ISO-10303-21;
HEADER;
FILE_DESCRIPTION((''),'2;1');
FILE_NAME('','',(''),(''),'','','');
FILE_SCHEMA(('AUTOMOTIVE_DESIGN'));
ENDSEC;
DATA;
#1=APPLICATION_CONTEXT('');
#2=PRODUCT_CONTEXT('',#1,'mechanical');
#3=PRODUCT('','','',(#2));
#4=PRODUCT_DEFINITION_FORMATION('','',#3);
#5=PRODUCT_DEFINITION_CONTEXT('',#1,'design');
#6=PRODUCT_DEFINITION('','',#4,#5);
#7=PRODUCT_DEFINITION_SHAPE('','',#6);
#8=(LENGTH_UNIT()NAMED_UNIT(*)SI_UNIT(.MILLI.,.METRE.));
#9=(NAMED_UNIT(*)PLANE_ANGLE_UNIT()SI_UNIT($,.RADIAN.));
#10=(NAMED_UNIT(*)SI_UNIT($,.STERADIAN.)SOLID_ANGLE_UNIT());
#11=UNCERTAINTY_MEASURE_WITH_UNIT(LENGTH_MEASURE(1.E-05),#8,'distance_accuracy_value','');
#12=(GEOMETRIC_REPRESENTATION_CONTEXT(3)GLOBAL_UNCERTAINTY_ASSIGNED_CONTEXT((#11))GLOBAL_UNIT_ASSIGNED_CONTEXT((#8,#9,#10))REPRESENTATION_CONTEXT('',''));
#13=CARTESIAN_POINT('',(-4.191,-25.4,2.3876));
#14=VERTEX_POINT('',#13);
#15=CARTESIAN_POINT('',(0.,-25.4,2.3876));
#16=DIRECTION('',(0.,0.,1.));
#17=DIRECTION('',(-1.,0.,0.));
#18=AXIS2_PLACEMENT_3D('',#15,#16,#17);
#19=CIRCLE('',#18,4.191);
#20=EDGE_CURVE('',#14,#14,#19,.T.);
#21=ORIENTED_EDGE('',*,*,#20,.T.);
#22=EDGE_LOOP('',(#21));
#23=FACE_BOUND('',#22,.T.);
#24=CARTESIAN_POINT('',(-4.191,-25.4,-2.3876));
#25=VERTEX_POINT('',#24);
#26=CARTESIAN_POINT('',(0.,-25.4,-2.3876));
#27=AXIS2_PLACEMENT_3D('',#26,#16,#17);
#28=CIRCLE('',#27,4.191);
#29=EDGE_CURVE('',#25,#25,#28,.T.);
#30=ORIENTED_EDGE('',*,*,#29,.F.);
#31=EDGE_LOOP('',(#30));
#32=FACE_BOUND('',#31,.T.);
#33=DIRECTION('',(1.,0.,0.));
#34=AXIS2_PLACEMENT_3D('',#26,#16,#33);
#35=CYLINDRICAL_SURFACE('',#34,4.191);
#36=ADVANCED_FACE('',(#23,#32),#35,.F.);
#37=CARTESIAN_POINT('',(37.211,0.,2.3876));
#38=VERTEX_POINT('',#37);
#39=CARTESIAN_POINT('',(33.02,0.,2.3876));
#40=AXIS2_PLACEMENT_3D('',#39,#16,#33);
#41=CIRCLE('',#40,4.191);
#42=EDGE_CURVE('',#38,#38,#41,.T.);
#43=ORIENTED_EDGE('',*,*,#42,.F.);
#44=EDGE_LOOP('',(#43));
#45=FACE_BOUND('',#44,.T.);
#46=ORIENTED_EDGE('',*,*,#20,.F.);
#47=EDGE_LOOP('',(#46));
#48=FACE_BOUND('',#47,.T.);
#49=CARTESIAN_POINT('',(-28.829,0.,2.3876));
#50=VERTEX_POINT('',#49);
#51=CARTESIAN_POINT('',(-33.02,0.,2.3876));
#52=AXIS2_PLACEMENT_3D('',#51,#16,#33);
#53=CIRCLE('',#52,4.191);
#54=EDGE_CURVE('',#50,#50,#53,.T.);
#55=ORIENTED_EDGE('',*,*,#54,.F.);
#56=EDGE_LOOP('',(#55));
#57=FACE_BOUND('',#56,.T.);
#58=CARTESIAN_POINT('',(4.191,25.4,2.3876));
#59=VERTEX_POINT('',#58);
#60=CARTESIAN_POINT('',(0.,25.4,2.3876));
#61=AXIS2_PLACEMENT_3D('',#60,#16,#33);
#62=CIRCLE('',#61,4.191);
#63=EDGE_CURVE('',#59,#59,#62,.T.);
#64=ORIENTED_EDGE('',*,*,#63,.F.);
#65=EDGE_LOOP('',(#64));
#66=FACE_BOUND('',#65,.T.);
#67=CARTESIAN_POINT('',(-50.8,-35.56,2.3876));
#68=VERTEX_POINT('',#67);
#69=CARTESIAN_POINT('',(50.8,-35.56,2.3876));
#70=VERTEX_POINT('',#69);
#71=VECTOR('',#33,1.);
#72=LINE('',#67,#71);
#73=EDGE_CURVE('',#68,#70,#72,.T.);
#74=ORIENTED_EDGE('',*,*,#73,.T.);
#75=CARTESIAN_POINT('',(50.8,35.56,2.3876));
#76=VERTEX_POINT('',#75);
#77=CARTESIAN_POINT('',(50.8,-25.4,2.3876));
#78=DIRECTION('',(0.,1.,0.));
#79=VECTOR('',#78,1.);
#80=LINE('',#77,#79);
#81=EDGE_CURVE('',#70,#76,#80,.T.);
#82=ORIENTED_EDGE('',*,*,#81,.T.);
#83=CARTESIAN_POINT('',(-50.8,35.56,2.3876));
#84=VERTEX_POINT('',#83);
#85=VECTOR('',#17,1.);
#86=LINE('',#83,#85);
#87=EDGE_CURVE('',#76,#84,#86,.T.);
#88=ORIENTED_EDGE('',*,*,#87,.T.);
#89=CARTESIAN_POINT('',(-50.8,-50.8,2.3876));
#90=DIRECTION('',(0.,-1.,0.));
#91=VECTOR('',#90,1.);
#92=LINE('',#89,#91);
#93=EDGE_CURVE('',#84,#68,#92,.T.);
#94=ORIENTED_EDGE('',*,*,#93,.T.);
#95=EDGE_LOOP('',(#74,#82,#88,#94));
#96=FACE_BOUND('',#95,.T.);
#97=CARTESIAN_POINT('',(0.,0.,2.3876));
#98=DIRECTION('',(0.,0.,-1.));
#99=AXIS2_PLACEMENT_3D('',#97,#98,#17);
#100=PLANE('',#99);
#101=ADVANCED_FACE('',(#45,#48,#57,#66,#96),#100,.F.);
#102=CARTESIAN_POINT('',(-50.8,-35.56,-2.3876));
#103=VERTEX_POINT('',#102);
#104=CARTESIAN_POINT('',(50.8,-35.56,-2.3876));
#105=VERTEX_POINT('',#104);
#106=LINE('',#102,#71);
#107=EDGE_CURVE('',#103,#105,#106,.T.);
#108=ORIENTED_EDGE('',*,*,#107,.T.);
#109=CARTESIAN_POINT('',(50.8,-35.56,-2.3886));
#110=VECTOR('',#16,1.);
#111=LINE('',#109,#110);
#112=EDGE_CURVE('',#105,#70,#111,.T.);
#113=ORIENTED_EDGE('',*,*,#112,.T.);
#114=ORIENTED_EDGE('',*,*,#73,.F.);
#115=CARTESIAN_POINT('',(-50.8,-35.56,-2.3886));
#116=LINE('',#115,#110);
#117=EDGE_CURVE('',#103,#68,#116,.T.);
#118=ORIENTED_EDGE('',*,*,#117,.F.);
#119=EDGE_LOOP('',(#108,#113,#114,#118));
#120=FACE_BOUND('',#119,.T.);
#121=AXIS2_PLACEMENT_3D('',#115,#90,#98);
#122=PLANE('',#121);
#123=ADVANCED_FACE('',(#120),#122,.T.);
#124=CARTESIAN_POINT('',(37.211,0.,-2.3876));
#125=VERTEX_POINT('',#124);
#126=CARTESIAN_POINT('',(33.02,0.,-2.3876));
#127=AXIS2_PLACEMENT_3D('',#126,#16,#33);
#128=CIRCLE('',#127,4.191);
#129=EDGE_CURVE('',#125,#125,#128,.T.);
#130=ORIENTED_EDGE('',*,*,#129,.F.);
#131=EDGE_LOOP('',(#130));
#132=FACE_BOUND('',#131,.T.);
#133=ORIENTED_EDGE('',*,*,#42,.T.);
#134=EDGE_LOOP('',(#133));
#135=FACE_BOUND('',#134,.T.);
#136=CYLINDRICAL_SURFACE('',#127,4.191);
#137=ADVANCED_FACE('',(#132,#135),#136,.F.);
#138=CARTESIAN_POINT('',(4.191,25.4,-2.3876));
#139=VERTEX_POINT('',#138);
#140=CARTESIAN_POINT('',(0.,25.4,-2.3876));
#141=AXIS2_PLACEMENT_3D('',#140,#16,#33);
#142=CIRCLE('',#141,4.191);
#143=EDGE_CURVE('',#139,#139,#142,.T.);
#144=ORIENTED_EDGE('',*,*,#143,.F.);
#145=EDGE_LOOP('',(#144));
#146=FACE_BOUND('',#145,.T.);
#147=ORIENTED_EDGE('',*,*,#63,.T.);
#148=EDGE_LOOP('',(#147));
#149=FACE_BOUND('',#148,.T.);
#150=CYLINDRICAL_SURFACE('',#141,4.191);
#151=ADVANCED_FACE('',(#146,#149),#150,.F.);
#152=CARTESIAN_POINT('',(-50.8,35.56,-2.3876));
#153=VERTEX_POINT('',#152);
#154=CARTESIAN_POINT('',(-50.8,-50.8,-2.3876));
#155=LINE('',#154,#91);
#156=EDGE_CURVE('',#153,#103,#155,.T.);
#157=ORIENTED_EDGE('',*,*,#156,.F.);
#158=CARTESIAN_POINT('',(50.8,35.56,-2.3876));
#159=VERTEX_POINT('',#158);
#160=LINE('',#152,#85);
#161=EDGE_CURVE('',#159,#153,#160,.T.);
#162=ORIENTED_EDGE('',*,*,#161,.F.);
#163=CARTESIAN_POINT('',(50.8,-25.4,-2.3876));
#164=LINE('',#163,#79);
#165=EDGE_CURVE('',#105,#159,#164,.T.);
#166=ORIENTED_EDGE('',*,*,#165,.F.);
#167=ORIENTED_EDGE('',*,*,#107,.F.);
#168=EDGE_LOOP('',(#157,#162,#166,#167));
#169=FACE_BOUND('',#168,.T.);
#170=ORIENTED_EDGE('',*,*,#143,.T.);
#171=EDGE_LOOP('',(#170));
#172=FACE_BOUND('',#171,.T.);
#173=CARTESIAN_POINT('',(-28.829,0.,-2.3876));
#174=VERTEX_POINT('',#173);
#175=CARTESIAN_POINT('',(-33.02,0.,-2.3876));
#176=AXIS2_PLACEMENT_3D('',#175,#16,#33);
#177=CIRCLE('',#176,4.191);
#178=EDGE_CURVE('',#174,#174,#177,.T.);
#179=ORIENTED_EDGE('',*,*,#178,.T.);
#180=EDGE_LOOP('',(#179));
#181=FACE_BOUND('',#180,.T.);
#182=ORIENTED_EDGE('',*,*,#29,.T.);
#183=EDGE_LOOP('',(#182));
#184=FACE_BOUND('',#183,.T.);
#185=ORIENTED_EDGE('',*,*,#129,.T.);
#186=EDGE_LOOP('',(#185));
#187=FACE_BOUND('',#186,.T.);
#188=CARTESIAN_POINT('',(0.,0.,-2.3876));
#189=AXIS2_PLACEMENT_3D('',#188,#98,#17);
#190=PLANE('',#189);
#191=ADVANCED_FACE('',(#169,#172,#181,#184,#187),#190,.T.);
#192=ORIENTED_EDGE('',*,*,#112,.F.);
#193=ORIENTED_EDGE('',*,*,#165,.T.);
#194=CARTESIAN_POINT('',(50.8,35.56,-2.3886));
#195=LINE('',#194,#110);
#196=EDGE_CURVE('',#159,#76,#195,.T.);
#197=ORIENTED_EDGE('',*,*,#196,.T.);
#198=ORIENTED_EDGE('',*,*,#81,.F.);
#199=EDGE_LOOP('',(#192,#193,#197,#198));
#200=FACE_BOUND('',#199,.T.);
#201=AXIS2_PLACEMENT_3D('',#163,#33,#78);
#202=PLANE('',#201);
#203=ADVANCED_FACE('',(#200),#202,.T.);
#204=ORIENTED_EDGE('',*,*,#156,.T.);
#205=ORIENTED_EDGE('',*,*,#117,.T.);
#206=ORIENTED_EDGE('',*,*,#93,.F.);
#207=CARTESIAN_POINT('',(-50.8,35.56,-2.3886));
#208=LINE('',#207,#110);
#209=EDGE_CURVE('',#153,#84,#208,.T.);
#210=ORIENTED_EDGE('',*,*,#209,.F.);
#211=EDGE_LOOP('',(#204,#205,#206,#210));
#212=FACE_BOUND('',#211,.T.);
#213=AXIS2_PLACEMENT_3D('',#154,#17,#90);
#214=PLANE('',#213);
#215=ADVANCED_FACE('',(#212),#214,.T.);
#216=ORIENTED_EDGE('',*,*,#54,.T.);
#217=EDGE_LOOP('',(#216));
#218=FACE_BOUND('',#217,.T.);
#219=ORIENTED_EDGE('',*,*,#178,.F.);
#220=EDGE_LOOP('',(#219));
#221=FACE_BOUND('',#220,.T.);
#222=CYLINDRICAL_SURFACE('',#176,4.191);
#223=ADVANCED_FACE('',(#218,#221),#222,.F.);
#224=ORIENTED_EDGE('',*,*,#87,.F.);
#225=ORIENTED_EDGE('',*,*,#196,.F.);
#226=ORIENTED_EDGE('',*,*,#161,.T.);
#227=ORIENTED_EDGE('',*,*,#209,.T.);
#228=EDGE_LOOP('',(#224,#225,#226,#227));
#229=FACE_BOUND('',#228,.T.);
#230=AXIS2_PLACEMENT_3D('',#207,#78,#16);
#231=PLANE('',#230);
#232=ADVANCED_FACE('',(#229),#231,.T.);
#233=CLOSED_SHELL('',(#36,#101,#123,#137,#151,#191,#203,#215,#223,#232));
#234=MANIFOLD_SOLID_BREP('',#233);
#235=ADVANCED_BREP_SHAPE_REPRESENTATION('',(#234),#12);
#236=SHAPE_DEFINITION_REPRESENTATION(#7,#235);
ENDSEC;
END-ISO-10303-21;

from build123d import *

# Parameters (mm, degrees)
BOSS_EXTRUDE1_DEPTH      = 2.3876
BOSS_EXTRUDE1_DEPTH_BACK = 2.3876
SKETCH4_R                = 3.2639
CUT_EXTRUDE1_DEPTH       = 5.7752
SKETCH7_W                = 101.6
SKETCH7_H                = 101.6
BOSS_EXTRUDE2_DEPTH      = 4.7752
SKETCH10_R               = 4.191
CUT_EXTRUDE3_DEPTH       = 5.7752
SKETCH11_OUTSIDE_W       = 132.352
SKETCH11_OUTSIDE_H       = 132.352
SKETCH11_OUTSIDE_W_2     = 101.6
SKETCH11_OUTSIDE_H_2     = 71.12
CUT_EXTRUDE4_DEPTH       = 4.7752


with BuildPart() as part:
    # Sketch3 → Boss-Extrude1 (new body, two sides)
    with BuildSketch(Plane.XY) as boss_extrude1_sk:
        Polygon((50.8, -25.4), (50.8, -50.8), (-50.8, -50.8), (-50.8, 50.8), (-25.4, 50.8), align=None)
    extrude(amount=BOSS_EXTRUDE1_DEPTH)
    extrude(boss_extrude1_sk.sketch, amount=-BOSS_EXTRUDE1_DEPTH_BACK)

    # Sketch4 → Cut-Extrude1 (cut, through all)
    with BuildSketch(Plane.XY.offset(2.3876)):
        with Locations((-38.1, -38.1)):
            Circle(SKETCH4_R)
        with Locations((-12.7, -38.1)):
            Circle(SKETCH4_R)
        with Locations((12.7, -38.1)):
            Circle(SKETCH4_R)
        with Locations((-38.1, -12.7)):
            Circle(SKETCH4_R)
        with Locations((-38.1, 12.7)):
            Circle(SKETCH4_R)
        with Locations((38.1, -38.1)):
            Circle(SKETCH4_R)
        with Locations((-38.1, 38.1)):
            Circle(SKETCH4_R)
    extrude(amount=-CUT_EXTRUDE1_DEPTH, mode=Mode.SUBTRACT)

    # Sketch7 → Boss-Extrude2 (add)
    with BuildSketch(Plane.XY.offset(2.3876)):
        Rectangle(SKETCH7_W, SKETCH7_H)
    extrude(amount=-BOSS_EXTRUDE2_DEPTH)

    # Sketch10 → Cut-Extrude3 (cut, through all)
    with BuildSketch(Plane.XY.offset(2.3876)):
        with Locations((-33.02, 0)):
            Circle(SKETCH10_R)
        with Locations((33.02, 0)):
            Circle(SKETCH10_R)
        with Locations((0, 25.4)):
            Circle(SKETCH10_R)
        with Locations((0, -25.4)):
            Circle(SKETCH10_R)
    extrude(amount=-CUT_EXTRUDE3_DEPTH, mode=Mode.SUBTRACT)

    # Sketch11 outside → Cut-Extrude4 (cut)
    with BuildSketch(Plane.XY.offset(2.3876)):
        Rectangle(SKETCH11_OUTSIDE_W, SKETCH11_OUTSIDE_H)
        Rectangle(SKETCH11_OUTSIDE_W_2, SKETCH11_OUTSIDE_H_2, mode=Mode.SUBTRACT)
    extrude(amount=-CUT_EXTRUDE4_DEPTH, mode=Mode.SUBTRACT)


solid = part.part
